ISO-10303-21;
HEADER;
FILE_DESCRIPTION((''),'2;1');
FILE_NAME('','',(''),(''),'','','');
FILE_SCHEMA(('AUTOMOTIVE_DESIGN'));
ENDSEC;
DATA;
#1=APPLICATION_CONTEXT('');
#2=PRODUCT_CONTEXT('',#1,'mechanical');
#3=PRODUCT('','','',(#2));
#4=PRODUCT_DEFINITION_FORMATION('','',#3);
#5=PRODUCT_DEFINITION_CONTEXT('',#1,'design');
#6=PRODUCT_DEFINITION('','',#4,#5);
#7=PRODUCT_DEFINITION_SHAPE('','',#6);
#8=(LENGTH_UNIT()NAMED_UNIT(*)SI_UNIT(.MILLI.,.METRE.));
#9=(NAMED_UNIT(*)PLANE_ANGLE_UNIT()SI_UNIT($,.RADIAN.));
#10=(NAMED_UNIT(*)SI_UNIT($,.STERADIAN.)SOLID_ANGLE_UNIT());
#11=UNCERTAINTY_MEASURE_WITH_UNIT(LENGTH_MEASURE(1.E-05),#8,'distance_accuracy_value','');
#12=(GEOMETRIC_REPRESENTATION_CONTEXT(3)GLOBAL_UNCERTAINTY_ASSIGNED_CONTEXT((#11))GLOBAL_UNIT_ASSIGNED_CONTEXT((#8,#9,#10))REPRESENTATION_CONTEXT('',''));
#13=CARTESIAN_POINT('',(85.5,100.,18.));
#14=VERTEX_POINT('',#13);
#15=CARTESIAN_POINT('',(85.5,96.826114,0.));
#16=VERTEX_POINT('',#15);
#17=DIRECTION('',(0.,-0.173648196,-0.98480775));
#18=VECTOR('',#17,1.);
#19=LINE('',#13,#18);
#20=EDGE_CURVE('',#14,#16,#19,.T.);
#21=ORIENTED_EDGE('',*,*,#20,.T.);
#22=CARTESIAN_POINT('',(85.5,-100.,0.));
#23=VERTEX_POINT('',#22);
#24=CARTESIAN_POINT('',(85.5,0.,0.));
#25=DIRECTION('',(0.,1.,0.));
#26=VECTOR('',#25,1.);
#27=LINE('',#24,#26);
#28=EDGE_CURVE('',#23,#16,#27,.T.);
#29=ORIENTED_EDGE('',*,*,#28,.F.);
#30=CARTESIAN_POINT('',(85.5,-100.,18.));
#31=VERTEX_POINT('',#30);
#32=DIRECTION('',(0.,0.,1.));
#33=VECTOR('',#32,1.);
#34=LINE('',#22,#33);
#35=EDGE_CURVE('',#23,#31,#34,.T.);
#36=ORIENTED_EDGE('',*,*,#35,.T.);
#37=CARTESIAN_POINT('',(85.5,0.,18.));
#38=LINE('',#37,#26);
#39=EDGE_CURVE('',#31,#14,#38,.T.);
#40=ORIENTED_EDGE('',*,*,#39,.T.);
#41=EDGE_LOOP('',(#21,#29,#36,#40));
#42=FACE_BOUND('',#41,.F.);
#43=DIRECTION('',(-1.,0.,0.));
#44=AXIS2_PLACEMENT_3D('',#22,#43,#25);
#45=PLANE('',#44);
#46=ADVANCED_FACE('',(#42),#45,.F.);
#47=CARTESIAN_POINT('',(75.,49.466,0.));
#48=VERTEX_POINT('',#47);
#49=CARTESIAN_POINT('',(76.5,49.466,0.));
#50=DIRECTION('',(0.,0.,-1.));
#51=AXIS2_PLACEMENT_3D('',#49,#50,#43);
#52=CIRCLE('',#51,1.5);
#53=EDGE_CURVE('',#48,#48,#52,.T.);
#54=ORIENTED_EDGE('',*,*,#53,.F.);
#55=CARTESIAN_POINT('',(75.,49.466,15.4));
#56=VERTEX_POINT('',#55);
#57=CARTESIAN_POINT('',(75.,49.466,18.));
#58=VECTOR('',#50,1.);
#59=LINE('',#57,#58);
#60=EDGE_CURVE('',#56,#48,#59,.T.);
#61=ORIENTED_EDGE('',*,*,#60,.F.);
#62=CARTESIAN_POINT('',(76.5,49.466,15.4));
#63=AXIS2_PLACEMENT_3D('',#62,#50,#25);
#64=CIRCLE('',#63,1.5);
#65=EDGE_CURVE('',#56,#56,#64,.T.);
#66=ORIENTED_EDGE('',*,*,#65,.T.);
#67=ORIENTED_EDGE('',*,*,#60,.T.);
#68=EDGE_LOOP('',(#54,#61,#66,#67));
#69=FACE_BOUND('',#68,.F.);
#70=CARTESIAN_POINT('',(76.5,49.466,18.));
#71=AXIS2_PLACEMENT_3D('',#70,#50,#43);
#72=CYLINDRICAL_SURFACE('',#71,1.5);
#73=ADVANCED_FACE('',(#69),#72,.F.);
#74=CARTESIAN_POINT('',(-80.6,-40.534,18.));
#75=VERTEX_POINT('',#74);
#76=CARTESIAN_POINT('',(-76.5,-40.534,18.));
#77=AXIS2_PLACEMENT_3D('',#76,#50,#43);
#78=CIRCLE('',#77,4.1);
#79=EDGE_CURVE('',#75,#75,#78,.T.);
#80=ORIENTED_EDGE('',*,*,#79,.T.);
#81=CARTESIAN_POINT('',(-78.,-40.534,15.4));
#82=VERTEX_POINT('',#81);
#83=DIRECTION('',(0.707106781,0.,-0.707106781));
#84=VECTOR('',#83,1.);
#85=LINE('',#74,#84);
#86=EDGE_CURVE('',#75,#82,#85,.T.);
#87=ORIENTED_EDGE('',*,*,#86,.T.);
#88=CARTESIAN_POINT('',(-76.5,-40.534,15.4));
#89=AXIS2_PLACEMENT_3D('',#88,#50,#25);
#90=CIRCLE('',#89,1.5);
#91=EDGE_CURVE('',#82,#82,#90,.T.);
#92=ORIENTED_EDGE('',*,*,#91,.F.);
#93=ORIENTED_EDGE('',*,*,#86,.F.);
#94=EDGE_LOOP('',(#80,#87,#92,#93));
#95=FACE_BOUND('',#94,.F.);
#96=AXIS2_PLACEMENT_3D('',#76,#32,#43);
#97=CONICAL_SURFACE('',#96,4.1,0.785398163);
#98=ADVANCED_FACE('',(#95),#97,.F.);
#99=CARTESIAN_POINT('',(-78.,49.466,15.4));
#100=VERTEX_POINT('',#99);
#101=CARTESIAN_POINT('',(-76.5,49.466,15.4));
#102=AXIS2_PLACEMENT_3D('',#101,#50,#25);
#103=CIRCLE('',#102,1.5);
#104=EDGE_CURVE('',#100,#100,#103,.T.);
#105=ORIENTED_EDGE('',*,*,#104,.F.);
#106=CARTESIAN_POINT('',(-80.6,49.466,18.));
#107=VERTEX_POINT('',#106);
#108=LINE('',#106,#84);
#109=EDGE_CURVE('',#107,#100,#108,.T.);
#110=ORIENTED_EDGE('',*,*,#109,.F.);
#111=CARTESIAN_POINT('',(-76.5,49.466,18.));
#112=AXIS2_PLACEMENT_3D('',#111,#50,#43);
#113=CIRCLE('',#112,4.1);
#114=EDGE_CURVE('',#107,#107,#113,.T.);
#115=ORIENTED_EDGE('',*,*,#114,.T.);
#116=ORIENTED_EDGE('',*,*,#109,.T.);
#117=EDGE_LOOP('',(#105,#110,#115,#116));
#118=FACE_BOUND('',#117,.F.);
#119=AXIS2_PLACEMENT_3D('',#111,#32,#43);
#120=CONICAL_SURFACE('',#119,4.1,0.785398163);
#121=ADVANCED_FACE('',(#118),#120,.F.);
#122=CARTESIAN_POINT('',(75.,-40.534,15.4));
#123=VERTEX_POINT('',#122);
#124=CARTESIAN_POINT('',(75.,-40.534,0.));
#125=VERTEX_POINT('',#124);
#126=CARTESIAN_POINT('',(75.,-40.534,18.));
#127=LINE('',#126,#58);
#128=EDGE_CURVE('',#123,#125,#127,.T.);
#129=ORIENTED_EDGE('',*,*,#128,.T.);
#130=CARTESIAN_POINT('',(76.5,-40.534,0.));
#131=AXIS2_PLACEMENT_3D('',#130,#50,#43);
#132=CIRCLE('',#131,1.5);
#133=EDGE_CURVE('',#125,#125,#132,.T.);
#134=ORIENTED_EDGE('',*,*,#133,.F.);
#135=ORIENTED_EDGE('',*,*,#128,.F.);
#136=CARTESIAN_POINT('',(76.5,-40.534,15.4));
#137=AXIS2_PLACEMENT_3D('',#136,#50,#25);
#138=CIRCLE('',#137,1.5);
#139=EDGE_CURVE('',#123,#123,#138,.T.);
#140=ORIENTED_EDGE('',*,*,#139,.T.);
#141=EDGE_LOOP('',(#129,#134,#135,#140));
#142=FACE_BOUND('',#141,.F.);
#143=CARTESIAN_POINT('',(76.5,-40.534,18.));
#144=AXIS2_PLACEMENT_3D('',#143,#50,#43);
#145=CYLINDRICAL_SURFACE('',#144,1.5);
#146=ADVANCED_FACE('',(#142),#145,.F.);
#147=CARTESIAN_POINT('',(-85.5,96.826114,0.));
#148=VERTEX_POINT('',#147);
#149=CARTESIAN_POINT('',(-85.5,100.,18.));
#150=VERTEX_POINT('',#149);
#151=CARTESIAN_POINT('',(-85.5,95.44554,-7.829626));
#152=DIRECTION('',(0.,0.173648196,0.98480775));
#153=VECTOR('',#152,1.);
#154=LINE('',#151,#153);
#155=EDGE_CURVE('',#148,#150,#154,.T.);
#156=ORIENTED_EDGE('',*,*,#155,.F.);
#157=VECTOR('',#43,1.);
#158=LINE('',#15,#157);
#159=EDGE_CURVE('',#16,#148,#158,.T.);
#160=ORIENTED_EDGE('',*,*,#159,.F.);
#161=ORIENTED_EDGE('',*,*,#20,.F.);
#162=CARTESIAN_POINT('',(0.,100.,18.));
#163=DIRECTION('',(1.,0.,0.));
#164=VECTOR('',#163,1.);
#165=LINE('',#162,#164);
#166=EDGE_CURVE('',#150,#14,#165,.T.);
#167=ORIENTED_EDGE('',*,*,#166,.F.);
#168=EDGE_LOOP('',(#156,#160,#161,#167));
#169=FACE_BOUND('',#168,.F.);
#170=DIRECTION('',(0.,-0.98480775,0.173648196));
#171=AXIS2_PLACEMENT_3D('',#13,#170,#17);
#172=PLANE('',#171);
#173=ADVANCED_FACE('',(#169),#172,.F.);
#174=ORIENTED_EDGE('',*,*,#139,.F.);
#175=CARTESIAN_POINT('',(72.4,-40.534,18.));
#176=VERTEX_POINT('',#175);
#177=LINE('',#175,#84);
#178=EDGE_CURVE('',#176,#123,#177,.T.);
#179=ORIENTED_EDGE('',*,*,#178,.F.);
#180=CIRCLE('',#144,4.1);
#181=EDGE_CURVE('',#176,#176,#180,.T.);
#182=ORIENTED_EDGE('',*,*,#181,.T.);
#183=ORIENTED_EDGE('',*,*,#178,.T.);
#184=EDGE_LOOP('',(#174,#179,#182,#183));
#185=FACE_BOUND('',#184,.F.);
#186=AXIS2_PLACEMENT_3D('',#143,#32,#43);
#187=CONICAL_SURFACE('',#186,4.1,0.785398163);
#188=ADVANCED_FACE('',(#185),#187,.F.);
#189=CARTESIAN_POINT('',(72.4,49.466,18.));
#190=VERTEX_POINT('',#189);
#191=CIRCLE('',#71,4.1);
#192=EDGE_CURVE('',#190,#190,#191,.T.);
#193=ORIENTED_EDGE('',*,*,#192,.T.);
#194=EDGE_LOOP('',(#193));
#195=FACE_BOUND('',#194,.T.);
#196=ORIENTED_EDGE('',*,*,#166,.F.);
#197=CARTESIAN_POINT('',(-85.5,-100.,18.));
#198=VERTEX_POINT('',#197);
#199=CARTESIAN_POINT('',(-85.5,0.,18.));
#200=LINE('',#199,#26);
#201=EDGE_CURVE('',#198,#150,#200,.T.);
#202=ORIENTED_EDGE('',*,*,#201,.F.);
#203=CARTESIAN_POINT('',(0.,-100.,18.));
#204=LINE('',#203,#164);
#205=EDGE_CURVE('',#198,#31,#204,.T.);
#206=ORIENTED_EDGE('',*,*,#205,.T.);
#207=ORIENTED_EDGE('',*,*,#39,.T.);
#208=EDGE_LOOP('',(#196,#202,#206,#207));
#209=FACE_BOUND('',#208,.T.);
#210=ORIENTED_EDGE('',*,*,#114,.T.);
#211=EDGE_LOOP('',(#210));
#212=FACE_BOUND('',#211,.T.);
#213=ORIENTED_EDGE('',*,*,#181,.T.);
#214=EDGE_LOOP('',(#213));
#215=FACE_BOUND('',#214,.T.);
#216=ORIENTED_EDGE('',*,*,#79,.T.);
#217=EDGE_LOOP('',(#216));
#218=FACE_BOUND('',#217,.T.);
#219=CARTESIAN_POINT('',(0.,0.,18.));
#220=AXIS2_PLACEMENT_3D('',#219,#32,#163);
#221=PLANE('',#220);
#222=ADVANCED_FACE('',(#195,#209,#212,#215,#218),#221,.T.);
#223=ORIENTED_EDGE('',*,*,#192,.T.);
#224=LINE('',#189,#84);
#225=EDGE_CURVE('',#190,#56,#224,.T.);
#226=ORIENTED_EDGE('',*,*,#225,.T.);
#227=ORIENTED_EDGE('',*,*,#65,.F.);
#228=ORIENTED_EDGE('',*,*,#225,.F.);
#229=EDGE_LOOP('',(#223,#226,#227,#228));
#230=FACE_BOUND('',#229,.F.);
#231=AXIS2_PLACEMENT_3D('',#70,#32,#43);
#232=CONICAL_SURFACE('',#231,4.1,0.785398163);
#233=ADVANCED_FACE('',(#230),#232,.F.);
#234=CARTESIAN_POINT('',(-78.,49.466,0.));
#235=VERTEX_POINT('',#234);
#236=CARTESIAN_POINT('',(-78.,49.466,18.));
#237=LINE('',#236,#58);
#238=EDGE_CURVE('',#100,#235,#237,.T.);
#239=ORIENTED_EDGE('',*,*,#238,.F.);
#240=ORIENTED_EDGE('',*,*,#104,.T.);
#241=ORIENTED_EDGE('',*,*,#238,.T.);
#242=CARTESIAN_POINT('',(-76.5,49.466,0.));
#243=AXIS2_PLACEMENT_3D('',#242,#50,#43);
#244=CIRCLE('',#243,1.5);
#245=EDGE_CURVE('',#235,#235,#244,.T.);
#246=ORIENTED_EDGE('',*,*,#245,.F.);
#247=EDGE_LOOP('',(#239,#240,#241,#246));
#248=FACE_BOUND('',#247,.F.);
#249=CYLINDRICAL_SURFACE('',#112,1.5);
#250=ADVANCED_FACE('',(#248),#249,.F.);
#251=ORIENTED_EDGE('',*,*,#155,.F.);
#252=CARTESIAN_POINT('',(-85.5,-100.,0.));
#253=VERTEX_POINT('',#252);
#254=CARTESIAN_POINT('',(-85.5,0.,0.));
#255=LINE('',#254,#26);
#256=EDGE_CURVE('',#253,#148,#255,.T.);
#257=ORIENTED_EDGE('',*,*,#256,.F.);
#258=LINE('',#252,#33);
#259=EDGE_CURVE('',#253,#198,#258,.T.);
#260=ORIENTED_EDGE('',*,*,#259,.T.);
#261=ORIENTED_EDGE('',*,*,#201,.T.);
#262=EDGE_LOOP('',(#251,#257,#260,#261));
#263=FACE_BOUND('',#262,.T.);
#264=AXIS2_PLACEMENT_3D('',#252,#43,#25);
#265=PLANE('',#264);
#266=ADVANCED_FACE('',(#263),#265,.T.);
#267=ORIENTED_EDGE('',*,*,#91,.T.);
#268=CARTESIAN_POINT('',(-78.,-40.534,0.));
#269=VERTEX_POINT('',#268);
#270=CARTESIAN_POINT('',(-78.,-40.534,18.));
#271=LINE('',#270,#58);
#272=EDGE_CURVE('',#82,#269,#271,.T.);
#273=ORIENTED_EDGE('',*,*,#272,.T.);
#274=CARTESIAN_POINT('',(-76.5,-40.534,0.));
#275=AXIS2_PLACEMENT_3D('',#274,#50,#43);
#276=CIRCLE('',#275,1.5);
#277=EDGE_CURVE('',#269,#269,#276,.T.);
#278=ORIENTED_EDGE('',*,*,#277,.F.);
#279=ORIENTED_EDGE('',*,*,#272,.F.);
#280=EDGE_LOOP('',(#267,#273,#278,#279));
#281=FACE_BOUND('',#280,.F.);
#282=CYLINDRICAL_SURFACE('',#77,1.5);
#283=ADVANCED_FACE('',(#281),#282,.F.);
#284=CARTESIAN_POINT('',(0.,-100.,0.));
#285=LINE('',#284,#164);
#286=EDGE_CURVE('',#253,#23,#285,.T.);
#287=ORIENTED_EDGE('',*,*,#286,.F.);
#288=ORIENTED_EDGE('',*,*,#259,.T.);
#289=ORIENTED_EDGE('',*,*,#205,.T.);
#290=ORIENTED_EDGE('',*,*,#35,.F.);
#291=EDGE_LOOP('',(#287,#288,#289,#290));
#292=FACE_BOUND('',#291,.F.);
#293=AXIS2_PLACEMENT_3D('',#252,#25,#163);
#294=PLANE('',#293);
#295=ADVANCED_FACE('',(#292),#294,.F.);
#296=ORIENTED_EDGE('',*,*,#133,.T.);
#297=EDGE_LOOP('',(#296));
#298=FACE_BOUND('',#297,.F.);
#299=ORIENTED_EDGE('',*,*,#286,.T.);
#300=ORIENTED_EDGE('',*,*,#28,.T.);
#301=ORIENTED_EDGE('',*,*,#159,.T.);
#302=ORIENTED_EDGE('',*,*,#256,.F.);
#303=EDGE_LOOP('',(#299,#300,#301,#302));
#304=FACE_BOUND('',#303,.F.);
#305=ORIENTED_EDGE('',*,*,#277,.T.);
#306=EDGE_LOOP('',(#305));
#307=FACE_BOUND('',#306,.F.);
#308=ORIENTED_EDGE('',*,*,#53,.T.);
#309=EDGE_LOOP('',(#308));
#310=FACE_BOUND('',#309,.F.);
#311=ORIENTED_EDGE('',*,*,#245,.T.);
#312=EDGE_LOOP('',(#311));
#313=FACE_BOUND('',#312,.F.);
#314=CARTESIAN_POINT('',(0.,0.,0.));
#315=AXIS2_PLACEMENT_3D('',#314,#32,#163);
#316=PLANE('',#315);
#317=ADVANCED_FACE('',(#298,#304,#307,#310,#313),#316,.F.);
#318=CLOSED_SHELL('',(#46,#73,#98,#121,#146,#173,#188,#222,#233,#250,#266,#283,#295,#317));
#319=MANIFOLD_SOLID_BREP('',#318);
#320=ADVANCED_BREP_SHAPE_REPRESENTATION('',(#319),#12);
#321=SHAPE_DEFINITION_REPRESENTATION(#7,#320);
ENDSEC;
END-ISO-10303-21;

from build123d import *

# Parameters (mm, degrees)
F0_W           = 171
F0_H           = 200
F1_DEPTH       = 18
F3_DEPTH       = 171.001
F5_D           = 3
F5_CSINK_D     = 8.2
F5_CSINK_ANGLE = 90
F6_D           = 3
F6_CSINK_D     = 8.2
F6_CSINK_ANGLE = 90


with BuildPart() as f1:
    # F0 (on Top) → F1 (new body)
    with BuildSketch(Plane.XY):
        Rectangle(F0_W, F0_H)
    extrude(amount=F1_DEPTH)

    # F2 (on face) → F3 (cut, through all)
    with BuildSketch(Plane.YZ.offset(85.5)):
        Polygon((100, 0), (100, 18), (96.826114, 0), align=None)
    extrude(amount=-F3_DEPTH, mode=Mode.SUBTRACT)

    # F5 (through all)
    with Locations(Plane.XY.offset(18)):
        with Locations((-76.5, 49.466), (76.5, 49.466)):
            CounterSinkHole(F5_D / 2, F5_CSINK_D / 2, counter_sink_angle=F5_CSINK_ANGLE)

    # F6 (through all)
    with Locations(Plane.XY.offset(18)):
        with Locations((-76.5, -40.534), (76.5, -40.534)):
            CounterSinkHole(F6_D / 2, F6_CSINK_D / 2, counter_sink_angle=F6_CSINK_ANGLE)


solid = f1.part
